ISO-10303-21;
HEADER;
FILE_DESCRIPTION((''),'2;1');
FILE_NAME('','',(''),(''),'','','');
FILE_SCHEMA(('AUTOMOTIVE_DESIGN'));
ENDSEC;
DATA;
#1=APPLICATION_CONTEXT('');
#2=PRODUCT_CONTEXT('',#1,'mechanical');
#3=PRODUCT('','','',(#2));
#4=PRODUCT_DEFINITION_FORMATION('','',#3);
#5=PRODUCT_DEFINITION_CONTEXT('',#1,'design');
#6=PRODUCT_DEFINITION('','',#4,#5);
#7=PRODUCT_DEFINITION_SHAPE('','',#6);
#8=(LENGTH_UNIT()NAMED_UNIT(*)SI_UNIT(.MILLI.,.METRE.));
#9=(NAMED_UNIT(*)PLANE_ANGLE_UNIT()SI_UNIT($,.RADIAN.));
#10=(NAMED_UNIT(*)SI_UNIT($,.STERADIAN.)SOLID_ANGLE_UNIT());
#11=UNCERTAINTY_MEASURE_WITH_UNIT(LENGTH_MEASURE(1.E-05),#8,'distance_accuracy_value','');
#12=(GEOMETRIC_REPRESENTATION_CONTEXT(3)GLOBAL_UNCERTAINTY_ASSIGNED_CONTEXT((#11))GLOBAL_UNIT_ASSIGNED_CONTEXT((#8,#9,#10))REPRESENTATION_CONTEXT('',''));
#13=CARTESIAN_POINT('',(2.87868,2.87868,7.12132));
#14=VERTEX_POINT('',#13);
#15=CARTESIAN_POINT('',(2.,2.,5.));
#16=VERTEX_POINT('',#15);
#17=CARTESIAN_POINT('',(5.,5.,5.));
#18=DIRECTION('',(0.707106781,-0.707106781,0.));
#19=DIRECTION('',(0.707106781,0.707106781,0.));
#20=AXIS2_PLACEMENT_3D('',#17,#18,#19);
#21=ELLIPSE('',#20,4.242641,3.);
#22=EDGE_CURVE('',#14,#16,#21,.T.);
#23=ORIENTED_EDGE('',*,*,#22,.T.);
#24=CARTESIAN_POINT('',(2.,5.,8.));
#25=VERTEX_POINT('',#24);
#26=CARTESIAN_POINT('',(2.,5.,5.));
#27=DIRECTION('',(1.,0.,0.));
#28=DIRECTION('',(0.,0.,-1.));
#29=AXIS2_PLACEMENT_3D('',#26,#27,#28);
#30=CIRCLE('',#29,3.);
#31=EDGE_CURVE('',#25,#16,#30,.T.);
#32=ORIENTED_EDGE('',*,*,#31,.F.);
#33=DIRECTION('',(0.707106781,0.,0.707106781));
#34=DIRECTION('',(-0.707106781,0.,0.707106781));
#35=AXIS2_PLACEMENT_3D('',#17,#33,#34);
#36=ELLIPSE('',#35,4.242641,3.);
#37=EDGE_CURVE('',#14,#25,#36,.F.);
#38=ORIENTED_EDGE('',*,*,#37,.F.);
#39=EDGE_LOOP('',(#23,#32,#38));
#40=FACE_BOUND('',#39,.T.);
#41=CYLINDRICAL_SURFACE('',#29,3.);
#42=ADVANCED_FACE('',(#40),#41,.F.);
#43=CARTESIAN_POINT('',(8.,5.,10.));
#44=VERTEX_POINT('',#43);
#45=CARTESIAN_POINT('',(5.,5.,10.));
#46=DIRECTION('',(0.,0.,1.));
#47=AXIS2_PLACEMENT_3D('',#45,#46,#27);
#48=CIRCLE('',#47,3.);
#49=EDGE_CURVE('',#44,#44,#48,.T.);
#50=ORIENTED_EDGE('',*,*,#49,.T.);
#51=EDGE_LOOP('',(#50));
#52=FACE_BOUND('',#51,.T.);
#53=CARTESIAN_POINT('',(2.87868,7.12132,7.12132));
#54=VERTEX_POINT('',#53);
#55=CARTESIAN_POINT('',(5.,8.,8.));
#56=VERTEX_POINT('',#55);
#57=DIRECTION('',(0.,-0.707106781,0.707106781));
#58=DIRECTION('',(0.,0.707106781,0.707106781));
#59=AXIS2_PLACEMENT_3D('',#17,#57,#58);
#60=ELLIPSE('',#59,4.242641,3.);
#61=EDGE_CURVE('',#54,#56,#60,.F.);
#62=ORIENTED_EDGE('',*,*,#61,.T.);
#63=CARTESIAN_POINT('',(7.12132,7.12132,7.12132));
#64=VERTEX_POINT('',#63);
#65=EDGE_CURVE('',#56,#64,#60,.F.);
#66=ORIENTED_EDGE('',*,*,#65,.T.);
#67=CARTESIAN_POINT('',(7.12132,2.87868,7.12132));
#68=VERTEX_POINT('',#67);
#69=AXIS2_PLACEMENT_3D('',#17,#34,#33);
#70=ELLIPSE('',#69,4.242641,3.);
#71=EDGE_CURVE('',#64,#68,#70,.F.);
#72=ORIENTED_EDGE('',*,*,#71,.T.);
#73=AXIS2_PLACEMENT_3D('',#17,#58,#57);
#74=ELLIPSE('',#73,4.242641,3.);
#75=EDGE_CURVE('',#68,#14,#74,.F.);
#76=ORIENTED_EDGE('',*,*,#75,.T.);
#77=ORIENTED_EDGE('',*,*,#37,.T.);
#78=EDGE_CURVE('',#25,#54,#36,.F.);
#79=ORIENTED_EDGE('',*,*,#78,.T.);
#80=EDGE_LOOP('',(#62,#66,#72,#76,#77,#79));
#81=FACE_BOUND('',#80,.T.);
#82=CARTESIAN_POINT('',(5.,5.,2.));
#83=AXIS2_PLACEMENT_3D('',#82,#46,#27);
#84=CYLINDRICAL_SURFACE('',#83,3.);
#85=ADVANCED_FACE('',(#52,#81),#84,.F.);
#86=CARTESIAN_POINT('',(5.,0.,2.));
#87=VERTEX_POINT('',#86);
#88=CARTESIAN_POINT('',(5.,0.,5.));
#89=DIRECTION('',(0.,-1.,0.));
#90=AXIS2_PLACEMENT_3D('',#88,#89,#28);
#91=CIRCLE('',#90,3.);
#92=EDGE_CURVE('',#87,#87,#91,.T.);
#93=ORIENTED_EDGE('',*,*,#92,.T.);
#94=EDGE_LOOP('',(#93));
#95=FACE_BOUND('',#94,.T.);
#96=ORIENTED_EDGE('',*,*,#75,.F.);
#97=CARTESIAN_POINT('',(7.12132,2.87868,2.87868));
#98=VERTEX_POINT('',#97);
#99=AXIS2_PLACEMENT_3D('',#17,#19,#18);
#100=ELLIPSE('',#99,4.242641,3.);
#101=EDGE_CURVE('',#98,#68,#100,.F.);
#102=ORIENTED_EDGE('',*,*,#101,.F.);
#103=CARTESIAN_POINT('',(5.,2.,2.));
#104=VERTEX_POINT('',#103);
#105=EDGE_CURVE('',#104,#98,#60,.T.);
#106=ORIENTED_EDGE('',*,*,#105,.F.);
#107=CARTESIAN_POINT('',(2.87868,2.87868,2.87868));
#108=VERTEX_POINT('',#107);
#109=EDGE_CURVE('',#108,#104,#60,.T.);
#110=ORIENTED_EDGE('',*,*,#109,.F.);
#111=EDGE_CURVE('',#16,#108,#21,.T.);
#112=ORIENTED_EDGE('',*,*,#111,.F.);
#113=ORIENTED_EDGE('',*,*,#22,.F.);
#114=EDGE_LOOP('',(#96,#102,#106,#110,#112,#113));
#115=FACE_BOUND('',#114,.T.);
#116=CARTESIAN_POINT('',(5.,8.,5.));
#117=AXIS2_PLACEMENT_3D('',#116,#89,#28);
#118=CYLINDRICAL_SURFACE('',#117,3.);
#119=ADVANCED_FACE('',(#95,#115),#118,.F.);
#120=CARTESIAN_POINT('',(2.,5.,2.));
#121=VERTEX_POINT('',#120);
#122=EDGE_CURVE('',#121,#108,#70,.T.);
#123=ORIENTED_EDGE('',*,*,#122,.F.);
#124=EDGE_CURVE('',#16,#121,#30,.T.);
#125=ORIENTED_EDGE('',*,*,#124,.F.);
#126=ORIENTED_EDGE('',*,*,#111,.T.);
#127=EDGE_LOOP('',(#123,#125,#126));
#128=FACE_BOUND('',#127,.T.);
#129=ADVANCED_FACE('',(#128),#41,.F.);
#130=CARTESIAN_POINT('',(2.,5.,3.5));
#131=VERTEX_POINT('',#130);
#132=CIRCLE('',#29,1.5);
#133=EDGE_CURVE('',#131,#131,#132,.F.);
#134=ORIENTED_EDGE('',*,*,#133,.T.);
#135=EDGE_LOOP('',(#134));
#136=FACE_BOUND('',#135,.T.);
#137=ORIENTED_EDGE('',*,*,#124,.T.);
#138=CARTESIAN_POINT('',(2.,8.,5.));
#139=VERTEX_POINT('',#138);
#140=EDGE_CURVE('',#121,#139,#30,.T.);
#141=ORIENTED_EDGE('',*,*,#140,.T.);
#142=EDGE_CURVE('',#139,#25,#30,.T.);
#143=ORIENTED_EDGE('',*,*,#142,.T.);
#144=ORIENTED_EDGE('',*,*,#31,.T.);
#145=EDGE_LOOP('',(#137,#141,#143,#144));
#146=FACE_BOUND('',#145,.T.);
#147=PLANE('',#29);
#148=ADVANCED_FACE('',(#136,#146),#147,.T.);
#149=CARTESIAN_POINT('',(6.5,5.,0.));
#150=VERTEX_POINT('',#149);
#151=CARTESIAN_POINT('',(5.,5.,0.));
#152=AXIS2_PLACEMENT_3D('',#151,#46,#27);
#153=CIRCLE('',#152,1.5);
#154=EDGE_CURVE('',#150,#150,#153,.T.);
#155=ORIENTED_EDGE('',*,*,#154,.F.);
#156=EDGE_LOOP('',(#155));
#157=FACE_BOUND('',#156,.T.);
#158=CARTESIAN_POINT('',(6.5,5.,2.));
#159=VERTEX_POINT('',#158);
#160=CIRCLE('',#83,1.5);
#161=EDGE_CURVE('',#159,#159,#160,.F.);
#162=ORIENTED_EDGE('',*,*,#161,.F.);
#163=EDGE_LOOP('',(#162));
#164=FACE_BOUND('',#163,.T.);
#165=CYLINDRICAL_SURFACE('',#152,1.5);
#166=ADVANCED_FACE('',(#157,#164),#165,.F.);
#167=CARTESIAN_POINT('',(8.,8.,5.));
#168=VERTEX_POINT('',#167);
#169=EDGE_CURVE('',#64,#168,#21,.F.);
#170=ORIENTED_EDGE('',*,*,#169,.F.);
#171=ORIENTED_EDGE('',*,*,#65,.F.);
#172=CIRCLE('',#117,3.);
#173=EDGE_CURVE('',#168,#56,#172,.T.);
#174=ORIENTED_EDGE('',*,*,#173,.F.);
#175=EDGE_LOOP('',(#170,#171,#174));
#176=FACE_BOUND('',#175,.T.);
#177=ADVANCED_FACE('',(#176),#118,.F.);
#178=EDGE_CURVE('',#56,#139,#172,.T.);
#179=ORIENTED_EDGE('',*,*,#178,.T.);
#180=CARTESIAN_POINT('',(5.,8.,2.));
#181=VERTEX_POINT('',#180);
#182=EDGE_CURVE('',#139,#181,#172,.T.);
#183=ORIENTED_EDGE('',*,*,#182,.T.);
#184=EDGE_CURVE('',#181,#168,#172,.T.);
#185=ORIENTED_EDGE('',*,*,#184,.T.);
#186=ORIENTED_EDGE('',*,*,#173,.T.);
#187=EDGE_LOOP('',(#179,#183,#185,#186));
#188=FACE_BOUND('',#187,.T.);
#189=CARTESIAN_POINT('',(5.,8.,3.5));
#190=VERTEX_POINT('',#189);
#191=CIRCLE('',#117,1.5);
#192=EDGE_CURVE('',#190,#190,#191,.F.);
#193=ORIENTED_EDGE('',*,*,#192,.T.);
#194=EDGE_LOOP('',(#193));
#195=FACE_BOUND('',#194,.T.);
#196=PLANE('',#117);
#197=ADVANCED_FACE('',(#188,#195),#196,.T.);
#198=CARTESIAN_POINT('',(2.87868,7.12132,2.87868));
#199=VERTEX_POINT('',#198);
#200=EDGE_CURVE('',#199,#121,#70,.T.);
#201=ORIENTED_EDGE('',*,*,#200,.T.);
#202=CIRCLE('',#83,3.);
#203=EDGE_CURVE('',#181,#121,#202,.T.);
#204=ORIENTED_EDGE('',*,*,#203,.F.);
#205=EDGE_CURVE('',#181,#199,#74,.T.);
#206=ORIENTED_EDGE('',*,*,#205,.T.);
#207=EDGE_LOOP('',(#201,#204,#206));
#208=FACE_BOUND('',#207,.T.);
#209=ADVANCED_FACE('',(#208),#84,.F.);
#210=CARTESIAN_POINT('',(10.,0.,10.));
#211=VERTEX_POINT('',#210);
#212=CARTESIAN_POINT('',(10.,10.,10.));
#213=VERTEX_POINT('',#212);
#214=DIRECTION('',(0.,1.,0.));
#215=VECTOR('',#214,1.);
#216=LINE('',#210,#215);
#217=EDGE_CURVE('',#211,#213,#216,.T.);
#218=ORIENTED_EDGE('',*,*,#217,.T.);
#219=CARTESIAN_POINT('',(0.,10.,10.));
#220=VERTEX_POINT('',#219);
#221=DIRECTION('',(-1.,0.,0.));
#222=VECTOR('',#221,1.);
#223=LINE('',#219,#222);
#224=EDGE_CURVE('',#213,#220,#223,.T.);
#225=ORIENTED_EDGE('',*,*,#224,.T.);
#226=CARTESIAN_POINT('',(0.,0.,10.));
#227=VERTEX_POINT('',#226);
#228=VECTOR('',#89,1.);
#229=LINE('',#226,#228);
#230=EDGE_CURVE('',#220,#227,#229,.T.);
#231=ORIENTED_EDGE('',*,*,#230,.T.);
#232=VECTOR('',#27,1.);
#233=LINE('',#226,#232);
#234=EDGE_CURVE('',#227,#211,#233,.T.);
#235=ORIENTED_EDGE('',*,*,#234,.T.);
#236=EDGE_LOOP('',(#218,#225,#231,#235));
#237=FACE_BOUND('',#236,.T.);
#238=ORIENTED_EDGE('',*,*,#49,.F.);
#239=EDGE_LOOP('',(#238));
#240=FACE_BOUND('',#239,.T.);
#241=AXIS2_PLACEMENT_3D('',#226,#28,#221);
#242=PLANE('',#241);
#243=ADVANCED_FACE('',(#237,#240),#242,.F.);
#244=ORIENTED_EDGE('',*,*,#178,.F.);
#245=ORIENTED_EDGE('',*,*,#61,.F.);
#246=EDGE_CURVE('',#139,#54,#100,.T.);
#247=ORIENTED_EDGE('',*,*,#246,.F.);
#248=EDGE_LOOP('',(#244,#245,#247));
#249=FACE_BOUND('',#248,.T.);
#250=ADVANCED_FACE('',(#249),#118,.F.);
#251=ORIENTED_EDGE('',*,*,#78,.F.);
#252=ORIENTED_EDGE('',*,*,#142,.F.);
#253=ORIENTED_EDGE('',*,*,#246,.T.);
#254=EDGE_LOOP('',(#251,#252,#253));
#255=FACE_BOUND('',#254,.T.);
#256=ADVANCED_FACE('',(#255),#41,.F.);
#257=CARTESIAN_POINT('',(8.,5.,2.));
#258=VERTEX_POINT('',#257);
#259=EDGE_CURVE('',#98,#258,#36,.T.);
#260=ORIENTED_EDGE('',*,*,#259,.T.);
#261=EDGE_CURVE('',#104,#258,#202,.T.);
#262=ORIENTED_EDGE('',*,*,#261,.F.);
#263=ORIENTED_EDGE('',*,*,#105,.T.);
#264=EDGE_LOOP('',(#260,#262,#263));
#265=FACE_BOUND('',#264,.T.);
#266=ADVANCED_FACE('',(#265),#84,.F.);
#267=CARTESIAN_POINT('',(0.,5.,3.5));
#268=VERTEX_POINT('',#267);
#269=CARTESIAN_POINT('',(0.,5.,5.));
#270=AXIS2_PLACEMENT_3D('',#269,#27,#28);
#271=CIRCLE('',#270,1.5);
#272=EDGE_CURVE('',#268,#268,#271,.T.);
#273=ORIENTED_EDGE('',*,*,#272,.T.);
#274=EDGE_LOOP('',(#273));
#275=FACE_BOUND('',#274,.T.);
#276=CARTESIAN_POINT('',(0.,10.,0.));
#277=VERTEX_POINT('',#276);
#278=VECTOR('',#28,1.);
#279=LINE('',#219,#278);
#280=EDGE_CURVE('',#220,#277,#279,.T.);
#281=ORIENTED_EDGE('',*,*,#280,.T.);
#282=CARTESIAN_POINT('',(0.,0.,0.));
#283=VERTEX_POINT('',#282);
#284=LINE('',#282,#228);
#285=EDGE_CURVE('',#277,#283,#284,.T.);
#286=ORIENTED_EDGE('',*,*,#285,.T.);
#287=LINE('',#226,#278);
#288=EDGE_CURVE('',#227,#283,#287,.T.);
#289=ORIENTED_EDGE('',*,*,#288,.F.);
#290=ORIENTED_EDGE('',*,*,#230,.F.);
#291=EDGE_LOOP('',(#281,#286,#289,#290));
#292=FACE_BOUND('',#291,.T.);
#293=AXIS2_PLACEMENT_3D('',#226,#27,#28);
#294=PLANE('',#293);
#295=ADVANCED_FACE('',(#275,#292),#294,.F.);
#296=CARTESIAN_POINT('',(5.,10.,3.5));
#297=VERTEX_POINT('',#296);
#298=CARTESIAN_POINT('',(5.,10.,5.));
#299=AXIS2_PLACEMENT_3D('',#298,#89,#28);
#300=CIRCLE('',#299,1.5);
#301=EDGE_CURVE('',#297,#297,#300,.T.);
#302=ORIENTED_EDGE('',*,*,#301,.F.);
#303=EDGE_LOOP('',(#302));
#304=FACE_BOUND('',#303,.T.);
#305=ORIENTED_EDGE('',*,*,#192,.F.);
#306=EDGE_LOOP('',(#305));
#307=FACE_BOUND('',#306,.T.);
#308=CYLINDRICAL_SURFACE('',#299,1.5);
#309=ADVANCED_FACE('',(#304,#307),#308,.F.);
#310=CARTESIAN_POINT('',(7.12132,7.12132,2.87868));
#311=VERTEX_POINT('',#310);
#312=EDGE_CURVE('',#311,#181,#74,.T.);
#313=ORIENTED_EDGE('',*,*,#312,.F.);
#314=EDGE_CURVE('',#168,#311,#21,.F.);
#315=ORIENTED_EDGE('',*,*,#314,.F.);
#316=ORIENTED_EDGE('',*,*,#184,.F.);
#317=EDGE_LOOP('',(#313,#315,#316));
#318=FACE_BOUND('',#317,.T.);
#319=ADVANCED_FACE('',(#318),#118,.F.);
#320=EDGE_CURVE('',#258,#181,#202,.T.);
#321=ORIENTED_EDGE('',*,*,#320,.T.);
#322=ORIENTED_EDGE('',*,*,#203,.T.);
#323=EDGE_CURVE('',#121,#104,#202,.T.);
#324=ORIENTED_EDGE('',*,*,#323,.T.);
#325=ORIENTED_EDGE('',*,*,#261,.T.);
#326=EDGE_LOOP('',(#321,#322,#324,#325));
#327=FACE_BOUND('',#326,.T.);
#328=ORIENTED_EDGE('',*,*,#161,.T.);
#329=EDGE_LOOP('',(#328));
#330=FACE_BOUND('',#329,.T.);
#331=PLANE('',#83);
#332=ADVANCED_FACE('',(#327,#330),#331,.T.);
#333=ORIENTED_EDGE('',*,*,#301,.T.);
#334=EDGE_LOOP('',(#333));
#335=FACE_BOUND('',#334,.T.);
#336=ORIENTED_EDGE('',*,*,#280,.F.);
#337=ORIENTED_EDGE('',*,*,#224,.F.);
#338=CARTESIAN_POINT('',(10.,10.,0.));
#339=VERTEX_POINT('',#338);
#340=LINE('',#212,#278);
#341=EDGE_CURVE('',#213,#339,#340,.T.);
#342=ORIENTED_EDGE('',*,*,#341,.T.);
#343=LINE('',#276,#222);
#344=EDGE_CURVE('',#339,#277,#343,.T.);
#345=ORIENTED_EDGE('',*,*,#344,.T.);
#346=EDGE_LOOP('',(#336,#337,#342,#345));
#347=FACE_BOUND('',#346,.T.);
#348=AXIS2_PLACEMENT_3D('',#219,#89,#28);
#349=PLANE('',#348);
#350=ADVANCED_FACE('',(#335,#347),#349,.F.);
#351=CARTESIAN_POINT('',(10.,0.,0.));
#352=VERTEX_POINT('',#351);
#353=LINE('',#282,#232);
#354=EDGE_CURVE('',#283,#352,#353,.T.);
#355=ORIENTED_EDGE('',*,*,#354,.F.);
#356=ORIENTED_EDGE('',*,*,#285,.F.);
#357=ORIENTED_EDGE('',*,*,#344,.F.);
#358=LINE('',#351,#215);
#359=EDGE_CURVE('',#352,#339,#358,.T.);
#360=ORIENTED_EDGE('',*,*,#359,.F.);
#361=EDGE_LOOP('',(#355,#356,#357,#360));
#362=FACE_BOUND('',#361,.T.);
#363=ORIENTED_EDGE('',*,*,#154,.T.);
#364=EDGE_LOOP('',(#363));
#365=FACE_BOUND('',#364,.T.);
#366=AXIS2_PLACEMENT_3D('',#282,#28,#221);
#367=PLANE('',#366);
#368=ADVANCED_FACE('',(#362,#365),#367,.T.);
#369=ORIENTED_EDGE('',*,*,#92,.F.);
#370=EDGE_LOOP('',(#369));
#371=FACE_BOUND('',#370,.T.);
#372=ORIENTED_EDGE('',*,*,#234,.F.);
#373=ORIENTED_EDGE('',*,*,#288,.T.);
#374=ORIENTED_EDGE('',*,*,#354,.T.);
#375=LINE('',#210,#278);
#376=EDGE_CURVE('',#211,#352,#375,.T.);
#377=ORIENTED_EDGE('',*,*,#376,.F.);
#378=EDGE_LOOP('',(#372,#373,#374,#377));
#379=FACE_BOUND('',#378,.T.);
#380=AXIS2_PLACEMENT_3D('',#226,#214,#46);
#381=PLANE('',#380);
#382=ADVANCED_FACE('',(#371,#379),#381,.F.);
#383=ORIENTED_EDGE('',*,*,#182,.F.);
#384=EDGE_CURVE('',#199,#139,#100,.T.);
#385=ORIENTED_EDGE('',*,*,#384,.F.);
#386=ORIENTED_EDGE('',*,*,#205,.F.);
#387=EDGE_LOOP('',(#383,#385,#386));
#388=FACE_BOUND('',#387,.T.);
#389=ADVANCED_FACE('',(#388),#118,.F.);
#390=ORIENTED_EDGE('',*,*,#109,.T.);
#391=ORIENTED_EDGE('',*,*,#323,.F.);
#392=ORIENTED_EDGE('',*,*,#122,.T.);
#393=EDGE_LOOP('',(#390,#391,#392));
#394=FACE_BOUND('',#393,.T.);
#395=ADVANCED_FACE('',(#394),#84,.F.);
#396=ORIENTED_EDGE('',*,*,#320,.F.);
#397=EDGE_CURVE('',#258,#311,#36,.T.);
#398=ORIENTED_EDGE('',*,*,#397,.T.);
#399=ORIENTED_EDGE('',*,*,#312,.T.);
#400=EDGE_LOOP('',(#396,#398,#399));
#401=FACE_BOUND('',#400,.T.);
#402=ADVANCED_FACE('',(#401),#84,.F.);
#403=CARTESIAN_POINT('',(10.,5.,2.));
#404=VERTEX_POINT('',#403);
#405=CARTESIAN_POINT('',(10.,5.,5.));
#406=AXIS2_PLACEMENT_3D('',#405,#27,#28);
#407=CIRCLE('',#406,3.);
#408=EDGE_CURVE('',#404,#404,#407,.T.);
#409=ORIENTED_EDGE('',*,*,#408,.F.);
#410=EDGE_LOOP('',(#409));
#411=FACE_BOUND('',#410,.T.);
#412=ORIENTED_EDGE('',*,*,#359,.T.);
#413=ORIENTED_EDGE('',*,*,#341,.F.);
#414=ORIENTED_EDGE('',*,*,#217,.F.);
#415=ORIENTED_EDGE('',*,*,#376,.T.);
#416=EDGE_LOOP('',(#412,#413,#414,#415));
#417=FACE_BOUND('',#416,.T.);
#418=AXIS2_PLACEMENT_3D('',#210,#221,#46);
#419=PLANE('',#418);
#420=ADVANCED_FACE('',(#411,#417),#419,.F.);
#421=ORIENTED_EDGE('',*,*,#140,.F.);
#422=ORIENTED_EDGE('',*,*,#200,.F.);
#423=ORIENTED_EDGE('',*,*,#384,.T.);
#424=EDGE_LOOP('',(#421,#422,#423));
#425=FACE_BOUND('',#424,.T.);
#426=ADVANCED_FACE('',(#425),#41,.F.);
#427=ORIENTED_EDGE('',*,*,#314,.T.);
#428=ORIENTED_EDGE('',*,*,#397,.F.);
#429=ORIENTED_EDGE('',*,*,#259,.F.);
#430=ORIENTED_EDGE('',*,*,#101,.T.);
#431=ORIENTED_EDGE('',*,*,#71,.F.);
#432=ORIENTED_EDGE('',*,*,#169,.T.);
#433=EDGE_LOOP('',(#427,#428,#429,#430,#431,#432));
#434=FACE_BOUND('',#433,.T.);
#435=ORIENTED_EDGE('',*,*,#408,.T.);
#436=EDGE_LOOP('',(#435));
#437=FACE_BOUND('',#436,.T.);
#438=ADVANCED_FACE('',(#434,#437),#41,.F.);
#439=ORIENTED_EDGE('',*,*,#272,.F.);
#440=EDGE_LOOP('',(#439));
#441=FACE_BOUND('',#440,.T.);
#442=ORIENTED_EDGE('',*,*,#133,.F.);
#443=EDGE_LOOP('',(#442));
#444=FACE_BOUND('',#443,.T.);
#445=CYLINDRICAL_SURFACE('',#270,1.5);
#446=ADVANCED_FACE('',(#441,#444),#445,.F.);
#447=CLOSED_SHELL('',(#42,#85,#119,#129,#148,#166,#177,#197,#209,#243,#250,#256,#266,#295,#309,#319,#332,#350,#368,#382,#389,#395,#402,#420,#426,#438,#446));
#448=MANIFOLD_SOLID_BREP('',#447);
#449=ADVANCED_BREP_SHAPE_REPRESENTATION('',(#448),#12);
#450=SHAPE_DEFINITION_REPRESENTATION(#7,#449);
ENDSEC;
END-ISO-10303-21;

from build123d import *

# Parameters (mm, degrees)
ESQUISSE1_W             = 10
ESQUISSE1_H             = 10
BOSS_EXTRU_1_DEPTH      = 10
ESQUISSE2_R             = 1.5
ENL_V_MAT_EXTRU_1_DEPTH = 11
ESQUISSE3_R             = 3
ENL_V_MAT_EXTRU_2_DEPTH = 8
ESQUISSE4_R             = 1.5
ENL_V_MAT_EXTRU_3_DEPTH = 11
ESQUISSE5_R             = 3
ENL_V_MAT_EXTRU_4_DEPTH = 8
ESQUISSE6_R             = 1.5
ENL_V_MAT_EXTRU_5_DEPTH = 11
ESQUISSE7_R             = 3
ENL_V_MAT_EXTRU_6_DEPTH = 8


with BuildPart() as part:
    # Esquisse1 → Boss.-Extru.1 (new body)
    with BuildSketch(Plane.XY):
        with Locations((5, 5)):
            Rectangle(ESQUISSE1_W, ESQUISSE1_H)
    extrude(amount=BOSS_EXTRU_1_DEPTH)

    # Esquisse2 → Enlèv. mat.-Extru.1 (cut, through all)
    with BuildSketch(Plane.XY.offset(10)):
        with Locations((5, 5)):
            Circle(ESQUISSE2_R)
    extrude(amount=-ENL_V_MAT_EXTRU_1_DEPTH, mode=Mode.SUBTRACT)

    # Esquisse3 → Enlèv. mat.-Extru.2 (cut)
    with BuildSketch(Plane.XY.offset(10)):
        with Locations((5, 5)):
            Circle(ESQUISSE3_R)
    extrude(amount=-ENL_V_MAT_EXTRU_2_DEPTH, mode=Mode.SUBTRACT)

    # Esquisse4 → Enlèv. mat.-Extru.3 (cut, through all)
    with BuildSketch(Plane(origin=(10, 0, 0), x_dir=(0, 0, -1), z_dir=(1, 0, 0))):
        with Locations((-5, 5)):
            Circle(ESQUISSE4_R)
    extrude(amount=-ENL_V_MAT_EXTRU_3_DEPTH, mode=Mode.SUBTRACT)

    # Esquisse5 → Enlèv. mat.-Extru.4 (cut)
    with BuildSketch(Plane(origin=(10, 0, 0), x_dir=(0, 0, -1), z_dir=(1, 0, 0))):
        with Locations((-5, 5)):
            Circle(ESQUISSE5_R)
    extrude(amount=-ENL_V_MAT_EXTRU_4_DEPTH, mode=Mode.SUBTRACT)

    # Esquisse6 → Enlèv. mat.-Extru.5 (cut, through all)
    with BuildSketch(Plane.XZ):
        with Locations((5, 5)):
            Circle(ESQUISSE6_R)
    extrude(amount=-ENL_V_MAT_EXTRU_5_DEPTH, mode=Mode.SUBTRACT)

    # Esquisse7 → Enlèv. mat.-Extru.6 (cut)
    with BuildSketch(Plane(origin=(0, 0, 0), x_dir=(-1, 0, 0), z_dir=(0, -1, 0))):
        with Locations((-5, -5)):
            Circle(ESQUISSE7_R)
    extrude(amount=-ENL_V_MAT_EXTRU_6_DEPTH, mode=Mode.SUBTRACT)


solid = part.part
